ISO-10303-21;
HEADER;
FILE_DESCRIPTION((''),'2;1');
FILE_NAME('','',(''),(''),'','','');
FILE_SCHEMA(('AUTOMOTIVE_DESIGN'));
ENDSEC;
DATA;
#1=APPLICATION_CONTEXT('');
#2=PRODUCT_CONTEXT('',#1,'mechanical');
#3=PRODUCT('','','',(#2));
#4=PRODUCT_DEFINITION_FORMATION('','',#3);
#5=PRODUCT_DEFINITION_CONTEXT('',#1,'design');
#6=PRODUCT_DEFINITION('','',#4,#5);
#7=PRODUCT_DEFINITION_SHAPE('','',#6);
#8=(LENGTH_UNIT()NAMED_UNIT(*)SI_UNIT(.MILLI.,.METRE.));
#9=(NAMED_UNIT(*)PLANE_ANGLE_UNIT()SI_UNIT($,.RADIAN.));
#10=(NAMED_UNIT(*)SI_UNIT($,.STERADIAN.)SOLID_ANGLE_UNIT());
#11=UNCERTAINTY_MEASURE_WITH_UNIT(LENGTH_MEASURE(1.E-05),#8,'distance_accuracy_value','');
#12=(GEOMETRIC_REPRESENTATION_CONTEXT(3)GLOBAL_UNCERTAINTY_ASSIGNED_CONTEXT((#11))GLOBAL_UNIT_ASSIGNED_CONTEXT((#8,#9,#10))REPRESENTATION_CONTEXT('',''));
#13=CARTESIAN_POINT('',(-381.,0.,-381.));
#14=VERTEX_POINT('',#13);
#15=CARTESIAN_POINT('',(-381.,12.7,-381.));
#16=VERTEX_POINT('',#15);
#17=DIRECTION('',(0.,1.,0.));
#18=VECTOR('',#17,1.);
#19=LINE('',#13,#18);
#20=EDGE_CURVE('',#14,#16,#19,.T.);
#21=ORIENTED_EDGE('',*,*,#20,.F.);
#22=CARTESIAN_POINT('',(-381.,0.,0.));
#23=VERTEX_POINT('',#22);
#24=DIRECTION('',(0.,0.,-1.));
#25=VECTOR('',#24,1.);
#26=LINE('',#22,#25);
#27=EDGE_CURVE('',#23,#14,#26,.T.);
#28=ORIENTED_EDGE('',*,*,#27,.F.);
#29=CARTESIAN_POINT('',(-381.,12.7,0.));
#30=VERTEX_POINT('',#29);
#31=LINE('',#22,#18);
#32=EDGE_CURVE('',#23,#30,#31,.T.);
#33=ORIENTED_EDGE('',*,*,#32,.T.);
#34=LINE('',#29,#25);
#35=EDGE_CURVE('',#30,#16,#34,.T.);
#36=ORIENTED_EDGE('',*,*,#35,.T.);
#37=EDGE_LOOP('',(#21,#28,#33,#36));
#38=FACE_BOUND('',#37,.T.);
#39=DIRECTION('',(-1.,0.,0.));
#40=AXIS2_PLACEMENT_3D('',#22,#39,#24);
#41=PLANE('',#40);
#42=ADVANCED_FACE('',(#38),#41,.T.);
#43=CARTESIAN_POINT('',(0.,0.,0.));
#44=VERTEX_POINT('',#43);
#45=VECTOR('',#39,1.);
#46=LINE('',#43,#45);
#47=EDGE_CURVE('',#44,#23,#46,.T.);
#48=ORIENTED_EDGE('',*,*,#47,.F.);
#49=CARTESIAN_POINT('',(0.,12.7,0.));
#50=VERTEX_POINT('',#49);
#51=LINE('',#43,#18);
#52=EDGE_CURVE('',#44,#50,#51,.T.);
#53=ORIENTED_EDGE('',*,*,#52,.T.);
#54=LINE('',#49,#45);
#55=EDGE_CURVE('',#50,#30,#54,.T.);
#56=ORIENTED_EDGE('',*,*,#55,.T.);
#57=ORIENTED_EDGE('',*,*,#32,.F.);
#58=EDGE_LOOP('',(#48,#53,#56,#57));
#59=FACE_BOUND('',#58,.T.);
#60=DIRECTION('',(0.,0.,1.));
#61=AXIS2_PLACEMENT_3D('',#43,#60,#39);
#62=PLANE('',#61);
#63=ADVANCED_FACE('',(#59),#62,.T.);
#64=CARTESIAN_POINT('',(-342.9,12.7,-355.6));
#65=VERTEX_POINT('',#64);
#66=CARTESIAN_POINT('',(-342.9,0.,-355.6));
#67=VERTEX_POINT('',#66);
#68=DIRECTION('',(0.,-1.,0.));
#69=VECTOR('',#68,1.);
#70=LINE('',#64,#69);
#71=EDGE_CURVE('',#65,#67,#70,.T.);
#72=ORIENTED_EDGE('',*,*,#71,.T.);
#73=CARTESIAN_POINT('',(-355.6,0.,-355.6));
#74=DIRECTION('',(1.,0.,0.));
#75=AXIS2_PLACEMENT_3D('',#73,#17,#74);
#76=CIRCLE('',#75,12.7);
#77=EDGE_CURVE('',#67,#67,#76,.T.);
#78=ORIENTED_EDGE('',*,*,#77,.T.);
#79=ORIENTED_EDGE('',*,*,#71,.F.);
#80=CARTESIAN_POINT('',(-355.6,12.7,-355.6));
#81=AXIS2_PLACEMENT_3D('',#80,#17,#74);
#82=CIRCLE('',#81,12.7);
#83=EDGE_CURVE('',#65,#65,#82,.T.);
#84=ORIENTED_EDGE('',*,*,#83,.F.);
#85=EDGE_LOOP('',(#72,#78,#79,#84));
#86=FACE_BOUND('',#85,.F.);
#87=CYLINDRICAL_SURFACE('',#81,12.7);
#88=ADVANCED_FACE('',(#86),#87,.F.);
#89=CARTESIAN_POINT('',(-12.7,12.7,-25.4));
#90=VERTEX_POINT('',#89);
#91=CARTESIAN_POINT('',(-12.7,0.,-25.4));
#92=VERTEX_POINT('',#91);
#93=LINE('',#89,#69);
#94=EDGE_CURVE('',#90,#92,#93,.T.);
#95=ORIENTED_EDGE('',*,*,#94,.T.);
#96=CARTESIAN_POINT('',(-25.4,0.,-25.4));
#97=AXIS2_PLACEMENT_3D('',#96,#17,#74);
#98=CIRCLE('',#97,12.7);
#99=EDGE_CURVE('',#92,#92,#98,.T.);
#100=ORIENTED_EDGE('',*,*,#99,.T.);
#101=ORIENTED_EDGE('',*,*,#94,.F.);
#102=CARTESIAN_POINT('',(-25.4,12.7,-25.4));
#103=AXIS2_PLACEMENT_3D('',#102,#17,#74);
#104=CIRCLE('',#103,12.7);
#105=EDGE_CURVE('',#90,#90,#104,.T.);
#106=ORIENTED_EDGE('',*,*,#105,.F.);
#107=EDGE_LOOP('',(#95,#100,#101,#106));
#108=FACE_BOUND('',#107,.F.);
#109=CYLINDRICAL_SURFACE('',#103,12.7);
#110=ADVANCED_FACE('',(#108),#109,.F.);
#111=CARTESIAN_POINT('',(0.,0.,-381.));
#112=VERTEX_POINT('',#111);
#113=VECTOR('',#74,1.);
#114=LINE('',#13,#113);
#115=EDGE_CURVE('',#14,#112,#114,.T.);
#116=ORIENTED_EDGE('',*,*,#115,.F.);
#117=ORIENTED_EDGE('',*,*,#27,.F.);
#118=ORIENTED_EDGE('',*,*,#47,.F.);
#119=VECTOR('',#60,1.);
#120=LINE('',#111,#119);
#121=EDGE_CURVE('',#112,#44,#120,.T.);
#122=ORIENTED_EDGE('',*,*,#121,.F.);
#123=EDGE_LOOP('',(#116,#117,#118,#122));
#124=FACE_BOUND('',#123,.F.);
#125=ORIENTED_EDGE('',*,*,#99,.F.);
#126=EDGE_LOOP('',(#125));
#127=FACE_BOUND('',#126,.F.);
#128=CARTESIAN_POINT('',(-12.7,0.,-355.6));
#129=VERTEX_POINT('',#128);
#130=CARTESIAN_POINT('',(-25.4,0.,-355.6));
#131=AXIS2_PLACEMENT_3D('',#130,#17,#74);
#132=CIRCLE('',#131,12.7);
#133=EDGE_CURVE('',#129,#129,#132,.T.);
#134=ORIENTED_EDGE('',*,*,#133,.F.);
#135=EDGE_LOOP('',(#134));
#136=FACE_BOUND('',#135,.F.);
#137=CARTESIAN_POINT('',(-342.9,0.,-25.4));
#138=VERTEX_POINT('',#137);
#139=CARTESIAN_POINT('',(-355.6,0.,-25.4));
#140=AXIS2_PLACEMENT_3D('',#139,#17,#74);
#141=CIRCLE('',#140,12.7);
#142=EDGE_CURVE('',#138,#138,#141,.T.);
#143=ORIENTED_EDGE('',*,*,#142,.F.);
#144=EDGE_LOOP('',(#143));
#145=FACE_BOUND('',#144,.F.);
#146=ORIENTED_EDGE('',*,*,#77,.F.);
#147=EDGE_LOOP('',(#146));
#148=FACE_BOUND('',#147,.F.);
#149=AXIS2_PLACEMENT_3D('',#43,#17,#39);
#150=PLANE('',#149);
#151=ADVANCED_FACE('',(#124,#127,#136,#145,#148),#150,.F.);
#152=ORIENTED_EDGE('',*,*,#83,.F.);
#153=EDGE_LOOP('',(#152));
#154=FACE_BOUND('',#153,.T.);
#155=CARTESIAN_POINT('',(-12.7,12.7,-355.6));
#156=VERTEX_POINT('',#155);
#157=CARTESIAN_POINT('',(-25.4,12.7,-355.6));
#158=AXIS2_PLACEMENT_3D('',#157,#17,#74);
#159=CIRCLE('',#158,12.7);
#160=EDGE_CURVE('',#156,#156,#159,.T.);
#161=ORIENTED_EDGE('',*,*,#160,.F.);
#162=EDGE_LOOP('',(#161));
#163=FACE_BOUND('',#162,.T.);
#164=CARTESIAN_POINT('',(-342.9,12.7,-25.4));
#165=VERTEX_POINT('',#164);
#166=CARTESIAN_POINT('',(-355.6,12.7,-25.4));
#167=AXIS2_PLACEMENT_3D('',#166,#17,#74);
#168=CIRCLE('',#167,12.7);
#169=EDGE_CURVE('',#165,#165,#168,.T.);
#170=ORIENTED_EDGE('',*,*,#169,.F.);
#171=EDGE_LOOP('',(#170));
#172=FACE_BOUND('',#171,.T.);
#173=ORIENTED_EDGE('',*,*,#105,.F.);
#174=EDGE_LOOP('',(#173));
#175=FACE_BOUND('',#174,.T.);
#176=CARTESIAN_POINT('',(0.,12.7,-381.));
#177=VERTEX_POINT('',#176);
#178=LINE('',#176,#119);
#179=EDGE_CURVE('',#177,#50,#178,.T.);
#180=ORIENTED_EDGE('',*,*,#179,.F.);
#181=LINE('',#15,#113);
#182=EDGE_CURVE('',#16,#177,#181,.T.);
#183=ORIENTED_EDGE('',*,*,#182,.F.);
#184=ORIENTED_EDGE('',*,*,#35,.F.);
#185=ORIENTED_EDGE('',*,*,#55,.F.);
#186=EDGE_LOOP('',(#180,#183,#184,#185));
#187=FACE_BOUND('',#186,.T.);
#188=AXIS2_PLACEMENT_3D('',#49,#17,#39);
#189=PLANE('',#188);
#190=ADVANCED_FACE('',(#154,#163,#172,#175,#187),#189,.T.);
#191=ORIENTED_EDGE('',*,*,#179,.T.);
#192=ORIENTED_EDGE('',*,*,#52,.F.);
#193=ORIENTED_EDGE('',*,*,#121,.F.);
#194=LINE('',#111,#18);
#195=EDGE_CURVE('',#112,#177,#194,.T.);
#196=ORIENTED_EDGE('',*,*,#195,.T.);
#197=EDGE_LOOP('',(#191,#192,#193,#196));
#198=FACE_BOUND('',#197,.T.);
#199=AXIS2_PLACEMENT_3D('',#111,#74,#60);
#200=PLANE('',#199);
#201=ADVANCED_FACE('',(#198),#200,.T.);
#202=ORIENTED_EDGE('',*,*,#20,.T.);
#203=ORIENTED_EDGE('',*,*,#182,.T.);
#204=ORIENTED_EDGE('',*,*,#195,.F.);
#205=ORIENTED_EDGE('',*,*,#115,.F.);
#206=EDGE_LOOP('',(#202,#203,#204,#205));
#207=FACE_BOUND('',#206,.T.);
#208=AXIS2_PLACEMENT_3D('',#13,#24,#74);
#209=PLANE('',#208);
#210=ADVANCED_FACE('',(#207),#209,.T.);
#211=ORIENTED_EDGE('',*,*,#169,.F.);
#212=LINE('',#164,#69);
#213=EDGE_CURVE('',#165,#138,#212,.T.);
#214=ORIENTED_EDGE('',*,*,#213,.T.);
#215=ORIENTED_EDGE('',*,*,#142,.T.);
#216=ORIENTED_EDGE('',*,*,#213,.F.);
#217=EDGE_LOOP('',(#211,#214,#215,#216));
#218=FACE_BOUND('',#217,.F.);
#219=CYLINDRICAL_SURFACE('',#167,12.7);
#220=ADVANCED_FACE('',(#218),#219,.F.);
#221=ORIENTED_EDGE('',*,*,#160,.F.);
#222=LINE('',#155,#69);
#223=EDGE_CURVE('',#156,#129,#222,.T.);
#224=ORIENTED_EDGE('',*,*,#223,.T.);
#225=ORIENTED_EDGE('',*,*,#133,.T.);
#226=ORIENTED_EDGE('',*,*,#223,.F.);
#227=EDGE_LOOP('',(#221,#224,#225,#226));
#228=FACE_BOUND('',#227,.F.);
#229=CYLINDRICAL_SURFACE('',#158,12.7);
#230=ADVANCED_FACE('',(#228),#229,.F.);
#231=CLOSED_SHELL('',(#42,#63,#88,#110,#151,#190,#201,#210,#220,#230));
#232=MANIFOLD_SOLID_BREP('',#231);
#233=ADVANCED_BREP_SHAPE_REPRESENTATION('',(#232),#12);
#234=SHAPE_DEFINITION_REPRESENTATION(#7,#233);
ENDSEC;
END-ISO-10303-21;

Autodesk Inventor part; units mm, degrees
ref_plane "YZ Plane" through (0, 0, 0) normal (1, 0, 0) x (0, 1, 0)
ref_plane "XZ Plane" through (0, 0, 0) normal (0, 1, 0) x (-1, 0, 0)
ref_plane "XY Plane" through (0, 0, 0) normal (0, 0, 1) x (1, 0, 0)
sketch "Sketch1" plane through (0, 0, 0) normal (0, 1, 0) x (-1, 0, 0)
  line L0 (0, 0) -> (381, 0)
  line L1 (381, 0) -> (381, -381)
  line L2 (381, -381) -> (0, -381)
  line L3 (0, -381) -> (0, 0)
extrude "Extrusion1" add sketch "Sketch1" along normal blind 12.7
sketch "Sketch2" plane through (0, 12.7, 0) normal (0, 1, 0) x (1, 0, 0)
  circle A0 centre (-25.4, 25.4) radius 12.7
  line L0 (0, 0) -> (0, 381) projected
  line L1 (-381, 0) -> (0, 0) projected
extrude "Extrusion2" cut sketch "Sketch2" against normal blind 12.7
sketch "Sketch3" plane through (0, 12.7, 0) normal (0, 1, 0) x (1, 0, 0)
  circle A0 centre (-25.4, 355.6) radius 12.7
  line L0 (0, 381) -> (-381, 381) projected
  line L1 (0, 0) -> (0, 381) projected
extrude "Extrusion3" cut sketch "Sketch3" against normal blind 12.7
sketch "Sketch4" plane through (0, 12.7, 0) normal (0, 1, 0) x (1, 0, 0)
  circle A0 centre (-355.6, 25.4) radius 12.7
  line L0 (-381, 381) -> (-381, 0) projected
  line L1 (-381, 0) -> (0, 0) projected
extrude "Extrusion4" cut sketch "Sketch4" against normal blind 12.7
sketch "Sketch5" plane through (0, 12.7, 0) normal (0, 1, 0) x (1, 0, 0)
  circle A0 centre (-355.6, 355.6) radius 12.7
  line L0 (0, 381) -> (-381, 381) projected
  line L1 (-381, 381) -> (-381, 0) projected
  point P0 (0, 0)
extrude "Extrusion5" cut sketch "Sketch5" against normal blind 12.7
properties part number "upside"
